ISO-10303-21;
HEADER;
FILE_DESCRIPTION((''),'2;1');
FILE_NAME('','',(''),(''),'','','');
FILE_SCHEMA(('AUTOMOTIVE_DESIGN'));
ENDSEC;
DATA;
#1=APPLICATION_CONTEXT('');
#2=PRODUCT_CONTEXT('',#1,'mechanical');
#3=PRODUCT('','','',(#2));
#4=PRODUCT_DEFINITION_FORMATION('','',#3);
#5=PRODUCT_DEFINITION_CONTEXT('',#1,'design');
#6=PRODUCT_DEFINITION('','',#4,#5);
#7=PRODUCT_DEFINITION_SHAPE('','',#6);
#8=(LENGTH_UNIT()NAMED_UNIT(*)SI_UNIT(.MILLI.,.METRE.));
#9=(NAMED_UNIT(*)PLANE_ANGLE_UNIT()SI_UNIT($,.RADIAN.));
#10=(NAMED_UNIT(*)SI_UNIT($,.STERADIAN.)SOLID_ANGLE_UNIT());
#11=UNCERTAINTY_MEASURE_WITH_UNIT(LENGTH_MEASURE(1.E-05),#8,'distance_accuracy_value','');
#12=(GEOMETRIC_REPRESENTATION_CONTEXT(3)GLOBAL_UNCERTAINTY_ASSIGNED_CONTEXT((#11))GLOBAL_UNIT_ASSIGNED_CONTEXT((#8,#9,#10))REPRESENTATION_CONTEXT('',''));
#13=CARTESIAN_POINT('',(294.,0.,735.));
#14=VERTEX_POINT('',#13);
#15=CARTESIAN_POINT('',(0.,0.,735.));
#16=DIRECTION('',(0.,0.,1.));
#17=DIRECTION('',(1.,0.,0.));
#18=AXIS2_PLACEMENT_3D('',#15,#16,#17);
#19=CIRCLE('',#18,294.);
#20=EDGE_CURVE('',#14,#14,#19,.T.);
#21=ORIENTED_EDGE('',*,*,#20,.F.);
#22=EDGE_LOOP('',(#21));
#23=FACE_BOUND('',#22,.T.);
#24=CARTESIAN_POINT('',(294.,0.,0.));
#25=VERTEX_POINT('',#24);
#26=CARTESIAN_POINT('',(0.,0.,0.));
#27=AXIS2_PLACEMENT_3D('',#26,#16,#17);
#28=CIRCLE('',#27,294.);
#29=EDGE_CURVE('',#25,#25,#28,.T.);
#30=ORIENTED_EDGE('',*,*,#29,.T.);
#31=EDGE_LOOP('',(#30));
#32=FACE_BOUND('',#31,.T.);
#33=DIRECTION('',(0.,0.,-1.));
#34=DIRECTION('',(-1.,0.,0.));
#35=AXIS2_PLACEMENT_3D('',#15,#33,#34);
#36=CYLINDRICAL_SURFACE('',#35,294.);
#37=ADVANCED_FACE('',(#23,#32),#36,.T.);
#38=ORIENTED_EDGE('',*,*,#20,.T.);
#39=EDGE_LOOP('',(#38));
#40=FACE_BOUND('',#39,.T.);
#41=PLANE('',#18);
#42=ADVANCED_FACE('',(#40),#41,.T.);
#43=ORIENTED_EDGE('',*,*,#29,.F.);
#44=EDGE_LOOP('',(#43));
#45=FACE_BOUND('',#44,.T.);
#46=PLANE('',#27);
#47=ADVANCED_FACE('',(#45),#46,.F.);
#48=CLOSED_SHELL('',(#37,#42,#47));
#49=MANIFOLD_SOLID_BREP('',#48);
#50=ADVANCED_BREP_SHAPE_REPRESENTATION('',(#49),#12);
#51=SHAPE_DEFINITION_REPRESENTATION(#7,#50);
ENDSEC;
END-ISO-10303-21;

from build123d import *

# Parameters (mm, degrees)
CROQUIS1_R              = 294
SALIENTE_EXTRUIR2_DEPTH = 735


with BuildPart() as part:
    # Croquis1 → Saliente-Extruir2 (new body)
    with BuildSketch(Plane.XY):
        Circle(CROQUIS1_R)
    extrude(amount=SALIENTE_EXTRUIR2_DEPTH)


solid = part.part
